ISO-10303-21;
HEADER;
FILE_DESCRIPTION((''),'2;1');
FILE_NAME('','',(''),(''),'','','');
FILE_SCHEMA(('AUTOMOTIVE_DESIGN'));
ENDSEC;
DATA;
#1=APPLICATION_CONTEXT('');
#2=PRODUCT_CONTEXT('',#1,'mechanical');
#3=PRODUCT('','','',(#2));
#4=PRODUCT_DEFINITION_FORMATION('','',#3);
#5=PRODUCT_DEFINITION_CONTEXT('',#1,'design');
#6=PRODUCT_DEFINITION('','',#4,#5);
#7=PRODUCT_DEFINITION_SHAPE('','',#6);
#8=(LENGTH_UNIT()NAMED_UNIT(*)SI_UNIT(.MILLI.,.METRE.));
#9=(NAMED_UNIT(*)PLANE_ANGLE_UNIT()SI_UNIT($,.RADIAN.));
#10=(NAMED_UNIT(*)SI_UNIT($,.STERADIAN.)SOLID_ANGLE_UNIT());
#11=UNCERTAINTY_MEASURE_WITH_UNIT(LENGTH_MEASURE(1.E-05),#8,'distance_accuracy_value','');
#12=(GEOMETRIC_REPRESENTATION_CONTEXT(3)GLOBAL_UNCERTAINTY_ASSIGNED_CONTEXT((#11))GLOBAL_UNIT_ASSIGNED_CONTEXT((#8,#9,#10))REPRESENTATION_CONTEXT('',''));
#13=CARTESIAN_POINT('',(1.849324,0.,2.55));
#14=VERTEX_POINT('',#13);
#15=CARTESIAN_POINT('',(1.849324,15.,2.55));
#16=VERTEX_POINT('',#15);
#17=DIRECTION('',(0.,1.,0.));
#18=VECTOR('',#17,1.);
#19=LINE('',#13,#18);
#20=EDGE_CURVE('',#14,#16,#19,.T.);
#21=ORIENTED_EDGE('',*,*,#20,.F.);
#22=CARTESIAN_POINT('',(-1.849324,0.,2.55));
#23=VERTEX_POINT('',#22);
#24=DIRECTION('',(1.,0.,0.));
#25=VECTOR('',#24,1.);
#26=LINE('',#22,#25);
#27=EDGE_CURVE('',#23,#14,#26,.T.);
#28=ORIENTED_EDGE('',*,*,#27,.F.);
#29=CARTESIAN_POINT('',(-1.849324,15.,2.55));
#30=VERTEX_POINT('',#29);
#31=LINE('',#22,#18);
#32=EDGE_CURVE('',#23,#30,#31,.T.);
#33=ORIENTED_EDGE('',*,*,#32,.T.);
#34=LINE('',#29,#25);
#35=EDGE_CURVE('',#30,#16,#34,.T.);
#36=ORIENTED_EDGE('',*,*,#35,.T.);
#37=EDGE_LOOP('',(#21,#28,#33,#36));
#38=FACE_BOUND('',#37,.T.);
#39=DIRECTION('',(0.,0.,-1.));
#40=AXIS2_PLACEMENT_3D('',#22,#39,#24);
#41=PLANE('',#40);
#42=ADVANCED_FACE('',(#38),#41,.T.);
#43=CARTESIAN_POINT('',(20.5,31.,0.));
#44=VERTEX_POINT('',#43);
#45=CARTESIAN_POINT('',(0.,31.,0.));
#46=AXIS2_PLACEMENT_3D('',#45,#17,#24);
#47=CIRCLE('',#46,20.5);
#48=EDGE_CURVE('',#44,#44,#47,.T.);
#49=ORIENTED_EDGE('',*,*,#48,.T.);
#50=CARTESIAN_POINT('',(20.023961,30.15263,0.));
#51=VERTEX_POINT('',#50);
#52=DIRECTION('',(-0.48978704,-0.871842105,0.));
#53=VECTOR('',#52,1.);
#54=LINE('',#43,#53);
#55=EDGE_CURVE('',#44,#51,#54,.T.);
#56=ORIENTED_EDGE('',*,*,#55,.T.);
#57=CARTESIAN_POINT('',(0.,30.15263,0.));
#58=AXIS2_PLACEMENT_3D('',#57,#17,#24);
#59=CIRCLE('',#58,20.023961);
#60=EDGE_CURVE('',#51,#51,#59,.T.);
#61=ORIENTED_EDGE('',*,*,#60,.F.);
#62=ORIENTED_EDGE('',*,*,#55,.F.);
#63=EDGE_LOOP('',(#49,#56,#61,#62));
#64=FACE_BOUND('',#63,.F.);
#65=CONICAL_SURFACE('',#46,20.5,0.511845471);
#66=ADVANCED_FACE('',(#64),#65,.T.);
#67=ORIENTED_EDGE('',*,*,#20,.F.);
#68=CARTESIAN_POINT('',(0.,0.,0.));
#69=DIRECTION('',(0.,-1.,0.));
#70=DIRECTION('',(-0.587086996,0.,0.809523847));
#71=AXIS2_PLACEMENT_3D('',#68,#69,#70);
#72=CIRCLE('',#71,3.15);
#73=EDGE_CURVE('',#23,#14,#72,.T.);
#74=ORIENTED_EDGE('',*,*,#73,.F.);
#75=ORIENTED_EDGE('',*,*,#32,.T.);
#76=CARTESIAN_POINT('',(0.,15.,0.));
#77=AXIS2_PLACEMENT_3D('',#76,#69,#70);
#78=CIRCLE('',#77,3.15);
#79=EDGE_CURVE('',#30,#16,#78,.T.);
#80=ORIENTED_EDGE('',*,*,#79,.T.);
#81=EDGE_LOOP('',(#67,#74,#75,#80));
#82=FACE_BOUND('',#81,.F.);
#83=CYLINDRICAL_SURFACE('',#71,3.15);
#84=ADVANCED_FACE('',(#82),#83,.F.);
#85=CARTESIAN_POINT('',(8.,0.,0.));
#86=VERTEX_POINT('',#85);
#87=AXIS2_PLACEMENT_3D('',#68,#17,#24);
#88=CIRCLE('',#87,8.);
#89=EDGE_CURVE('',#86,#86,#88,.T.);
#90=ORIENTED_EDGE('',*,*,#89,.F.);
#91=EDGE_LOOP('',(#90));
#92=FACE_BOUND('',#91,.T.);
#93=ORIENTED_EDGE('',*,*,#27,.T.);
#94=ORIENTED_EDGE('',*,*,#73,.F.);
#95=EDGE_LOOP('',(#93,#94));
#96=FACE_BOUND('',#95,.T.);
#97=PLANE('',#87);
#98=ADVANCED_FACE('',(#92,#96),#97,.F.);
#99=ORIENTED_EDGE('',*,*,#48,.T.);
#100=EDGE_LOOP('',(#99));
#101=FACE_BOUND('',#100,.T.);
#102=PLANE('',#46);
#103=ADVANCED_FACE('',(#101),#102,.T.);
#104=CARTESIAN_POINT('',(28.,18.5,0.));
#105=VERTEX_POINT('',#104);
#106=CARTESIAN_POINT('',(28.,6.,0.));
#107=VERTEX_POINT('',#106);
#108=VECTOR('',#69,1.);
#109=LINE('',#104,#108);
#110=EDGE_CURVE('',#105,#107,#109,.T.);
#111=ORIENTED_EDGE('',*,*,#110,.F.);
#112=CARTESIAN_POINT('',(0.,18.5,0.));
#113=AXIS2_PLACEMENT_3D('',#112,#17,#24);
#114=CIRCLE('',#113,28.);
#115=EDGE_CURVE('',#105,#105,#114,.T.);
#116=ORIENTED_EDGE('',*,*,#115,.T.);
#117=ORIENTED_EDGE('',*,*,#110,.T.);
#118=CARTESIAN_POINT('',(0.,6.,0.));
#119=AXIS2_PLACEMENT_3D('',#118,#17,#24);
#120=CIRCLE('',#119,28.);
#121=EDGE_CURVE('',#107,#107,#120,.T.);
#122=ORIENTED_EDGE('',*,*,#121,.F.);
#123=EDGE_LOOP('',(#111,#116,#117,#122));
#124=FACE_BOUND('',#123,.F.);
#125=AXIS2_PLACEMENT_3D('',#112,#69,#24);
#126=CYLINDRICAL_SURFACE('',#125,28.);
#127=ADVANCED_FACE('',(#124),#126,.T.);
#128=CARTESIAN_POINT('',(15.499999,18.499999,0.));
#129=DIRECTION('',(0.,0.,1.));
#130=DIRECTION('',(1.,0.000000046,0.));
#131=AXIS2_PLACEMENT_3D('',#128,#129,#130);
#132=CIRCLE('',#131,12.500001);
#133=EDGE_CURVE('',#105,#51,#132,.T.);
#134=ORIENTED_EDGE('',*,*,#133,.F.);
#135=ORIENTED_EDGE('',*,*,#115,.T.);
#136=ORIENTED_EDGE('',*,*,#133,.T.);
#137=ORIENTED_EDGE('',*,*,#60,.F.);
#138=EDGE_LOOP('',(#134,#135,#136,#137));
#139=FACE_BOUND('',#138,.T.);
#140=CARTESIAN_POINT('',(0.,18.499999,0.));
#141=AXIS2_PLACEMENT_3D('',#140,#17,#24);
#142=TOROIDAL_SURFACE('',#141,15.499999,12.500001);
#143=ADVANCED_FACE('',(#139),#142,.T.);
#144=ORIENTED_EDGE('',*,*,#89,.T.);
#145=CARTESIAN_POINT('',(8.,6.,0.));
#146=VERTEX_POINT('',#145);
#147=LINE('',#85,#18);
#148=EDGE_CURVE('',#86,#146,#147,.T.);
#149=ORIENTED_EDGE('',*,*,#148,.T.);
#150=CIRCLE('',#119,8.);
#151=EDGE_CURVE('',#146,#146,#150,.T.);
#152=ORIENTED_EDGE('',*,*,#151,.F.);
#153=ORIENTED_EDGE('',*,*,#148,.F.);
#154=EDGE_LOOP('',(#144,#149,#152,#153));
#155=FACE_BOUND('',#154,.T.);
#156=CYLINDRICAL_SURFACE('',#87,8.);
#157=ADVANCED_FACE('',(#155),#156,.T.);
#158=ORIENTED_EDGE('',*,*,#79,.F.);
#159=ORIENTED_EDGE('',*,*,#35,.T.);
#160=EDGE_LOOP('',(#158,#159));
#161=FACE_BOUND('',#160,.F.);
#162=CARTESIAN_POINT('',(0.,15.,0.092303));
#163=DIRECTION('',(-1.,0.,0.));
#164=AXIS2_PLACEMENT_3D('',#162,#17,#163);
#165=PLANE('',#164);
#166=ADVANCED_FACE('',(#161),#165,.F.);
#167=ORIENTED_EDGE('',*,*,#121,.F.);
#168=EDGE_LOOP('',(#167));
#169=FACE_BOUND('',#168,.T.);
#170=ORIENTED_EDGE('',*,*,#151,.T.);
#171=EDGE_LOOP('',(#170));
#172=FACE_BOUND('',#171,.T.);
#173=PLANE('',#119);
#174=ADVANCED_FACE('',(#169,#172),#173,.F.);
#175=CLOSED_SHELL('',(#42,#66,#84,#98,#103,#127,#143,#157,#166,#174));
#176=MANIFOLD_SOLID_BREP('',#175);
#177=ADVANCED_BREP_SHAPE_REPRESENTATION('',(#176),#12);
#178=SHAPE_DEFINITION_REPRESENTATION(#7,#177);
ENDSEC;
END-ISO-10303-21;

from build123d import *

# Parameters (mm, degrees)
POCKET_DEPTH = 15


with BuildPart() as part:
    # Sketch → Revolution (revolve)
    with BuildSketch(Plane.XY):
        with BuildLine():
            Line((15.5, 31), (0, 31))
            Line((0, 31), (0, 0))
            Line((0, 0), (8, 0))
            Line((8, 0), (8, 6))
            Line((8, 6), (28, 6))
            Line((28, 18.5), (28, 6))
            ThreePointArc((28, 18.5), (25.815026, 25.56047), (20.023961, 30.15263))
            Line((20.5, 31), (20.023961, 30.15263))
            Line((15.5, 31), (20.5, 31))
        make_face()
    revolve(axis=Axis((0, 0, 0), (0, 1, 0)))

    # Sketch001 → Pocket (cut)
    with BuildSketch(Plane.XZ):
        with BuildLine():
            Line((-1.849324, 2.55), (1.849324, 2.55))
            ThreePointArc((-1.849324, 2.55), (0, -3.15), (1.849324, 2.55))
        make_face()
    extrude(amount=-POCKET_DEPTH, mode=Mode.SUBTRACT)


solid = part.part
